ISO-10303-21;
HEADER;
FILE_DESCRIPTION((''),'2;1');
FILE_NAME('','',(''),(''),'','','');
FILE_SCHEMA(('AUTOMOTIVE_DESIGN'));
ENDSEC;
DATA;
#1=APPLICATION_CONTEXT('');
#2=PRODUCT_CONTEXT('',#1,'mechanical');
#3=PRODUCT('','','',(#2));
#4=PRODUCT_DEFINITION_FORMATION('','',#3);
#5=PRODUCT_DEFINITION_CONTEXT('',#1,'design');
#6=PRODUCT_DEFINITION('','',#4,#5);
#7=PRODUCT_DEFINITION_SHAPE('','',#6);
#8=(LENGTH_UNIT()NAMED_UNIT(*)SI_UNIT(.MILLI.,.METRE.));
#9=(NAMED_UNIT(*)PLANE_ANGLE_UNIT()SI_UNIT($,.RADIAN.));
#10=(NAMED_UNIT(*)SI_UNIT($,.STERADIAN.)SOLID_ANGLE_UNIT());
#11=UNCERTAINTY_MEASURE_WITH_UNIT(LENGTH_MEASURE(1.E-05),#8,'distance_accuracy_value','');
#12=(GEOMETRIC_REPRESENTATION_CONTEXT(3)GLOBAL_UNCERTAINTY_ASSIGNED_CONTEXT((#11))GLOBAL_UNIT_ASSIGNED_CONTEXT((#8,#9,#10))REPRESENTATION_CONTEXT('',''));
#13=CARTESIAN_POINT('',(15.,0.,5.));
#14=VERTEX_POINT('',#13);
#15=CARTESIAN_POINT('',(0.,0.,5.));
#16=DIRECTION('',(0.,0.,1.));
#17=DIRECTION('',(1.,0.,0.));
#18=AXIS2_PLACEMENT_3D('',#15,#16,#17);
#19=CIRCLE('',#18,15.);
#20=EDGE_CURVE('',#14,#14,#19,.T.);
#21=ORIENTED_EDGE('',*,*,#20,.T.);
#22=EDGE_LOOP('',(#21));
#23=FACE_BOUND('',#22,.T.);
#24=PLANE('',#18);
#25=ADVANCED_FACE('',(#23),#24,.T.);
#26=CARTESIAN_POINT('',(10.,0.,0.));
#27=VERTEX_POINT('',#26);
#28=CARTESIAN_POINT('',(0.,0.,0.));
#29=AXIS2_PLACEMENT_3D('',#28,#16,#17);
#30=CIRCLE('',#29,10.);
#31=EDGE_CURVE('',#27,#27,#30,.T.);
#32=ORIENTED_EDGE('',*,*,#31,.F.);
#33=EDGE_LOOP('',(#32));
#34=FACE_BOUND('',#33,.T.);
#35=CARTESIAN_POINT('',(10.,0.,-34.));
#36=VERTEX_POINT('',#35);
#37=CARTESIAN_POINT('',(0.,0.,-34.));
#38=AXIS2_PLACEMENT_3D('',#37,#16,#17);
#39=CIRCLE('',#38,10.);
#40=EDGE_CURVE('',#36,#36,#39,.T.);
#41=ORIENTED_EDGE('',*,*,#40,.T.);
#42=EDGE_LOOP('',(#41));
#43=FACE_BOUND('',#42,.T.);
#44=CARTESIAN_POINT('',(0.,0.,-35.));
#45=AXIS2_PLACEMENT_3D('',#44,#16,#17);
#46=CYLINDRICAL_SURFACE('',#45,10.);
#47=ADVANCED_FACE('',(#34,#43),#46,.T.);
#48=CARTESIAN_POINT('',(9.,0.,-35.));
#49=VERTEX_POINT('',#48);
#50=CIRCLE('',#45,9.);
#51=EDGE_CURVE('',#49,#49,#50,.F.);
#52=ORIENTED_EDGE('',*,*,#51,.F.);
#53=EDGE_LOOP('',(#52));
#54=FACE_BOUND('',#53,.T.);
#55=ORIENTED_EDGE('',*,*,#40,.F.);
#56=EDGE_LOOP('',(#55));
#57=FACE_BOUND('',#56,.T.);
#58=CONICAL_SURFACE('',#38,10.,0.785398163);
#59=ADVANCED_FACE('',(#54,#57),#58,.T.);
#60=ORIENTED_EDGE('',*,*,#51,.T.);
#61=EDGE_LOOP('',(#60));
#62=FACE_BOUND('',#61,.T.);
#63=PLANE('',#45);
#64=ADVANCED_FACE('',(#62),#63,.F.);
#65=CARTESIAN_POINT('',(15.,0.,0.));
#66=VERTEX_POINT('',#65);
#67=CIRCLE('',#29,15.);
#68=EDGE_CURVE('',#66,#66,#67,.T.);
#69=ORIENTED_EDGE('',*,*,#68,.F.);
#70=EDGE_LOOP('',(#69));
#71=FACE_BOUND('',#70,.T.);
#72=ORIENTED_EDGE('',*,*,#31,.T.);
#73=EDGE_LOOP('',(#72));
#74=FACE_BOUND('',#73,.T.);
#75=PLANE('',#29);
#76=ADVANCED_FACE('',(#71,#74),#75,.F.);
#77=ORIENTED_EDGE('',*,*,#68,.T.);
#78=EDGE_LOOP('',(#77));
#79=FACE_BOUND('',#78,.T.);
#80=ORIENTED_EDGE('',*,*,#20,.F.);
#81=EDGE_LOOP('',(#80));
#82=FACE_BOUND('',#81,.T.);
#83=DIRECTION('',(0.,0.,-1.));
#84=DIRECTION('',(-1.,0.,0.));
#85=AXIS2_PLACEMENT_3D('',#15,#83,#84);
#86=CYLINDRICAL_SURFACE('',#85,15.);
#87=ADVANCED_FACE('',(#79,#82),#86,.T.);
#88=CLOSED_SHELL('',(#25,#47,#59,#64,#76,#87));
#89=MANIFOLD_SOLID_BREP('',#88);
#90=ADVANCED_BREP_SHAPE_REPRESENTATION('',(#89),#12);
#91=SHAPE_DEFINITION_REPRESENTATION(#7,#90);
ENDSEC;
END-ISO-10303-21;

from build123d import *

# Parameters (mm, degrees)
SKETCH1_R           = 10
BOSS_EXTRUDE1_DEPTH = 35
SKETCH2_R           = 15
BOSS_EXTRUDE2_DEPTH = 5
CHAMFER1_SIZE       = 1


with BuildPart() as part:
    # Sketch1 → Boss-Extrude1 (new body)
    with BuildSketch(Plane.XY):
        Circle(SKETCH1_R)
    extrude(amount=-BOSS_EXTRUDE1_DEPTH)

    # Sketch2 → Boss-Extrude2 (add)
    with BuildSketch(Plane.XY):
        Circle(SKETCH2_R)
    extrude(amount=BOSS_EXTRUDE2_DEPTH)

    # Chamfer1
    chamfer1_edges = [part.edges().sort_by_distance(p)[0] for p in [
        (-10, 0, -35),
    ]]
    chamfer(chamfer1_edges, length=CHAMFER1_SIZE)


solid = part.part
